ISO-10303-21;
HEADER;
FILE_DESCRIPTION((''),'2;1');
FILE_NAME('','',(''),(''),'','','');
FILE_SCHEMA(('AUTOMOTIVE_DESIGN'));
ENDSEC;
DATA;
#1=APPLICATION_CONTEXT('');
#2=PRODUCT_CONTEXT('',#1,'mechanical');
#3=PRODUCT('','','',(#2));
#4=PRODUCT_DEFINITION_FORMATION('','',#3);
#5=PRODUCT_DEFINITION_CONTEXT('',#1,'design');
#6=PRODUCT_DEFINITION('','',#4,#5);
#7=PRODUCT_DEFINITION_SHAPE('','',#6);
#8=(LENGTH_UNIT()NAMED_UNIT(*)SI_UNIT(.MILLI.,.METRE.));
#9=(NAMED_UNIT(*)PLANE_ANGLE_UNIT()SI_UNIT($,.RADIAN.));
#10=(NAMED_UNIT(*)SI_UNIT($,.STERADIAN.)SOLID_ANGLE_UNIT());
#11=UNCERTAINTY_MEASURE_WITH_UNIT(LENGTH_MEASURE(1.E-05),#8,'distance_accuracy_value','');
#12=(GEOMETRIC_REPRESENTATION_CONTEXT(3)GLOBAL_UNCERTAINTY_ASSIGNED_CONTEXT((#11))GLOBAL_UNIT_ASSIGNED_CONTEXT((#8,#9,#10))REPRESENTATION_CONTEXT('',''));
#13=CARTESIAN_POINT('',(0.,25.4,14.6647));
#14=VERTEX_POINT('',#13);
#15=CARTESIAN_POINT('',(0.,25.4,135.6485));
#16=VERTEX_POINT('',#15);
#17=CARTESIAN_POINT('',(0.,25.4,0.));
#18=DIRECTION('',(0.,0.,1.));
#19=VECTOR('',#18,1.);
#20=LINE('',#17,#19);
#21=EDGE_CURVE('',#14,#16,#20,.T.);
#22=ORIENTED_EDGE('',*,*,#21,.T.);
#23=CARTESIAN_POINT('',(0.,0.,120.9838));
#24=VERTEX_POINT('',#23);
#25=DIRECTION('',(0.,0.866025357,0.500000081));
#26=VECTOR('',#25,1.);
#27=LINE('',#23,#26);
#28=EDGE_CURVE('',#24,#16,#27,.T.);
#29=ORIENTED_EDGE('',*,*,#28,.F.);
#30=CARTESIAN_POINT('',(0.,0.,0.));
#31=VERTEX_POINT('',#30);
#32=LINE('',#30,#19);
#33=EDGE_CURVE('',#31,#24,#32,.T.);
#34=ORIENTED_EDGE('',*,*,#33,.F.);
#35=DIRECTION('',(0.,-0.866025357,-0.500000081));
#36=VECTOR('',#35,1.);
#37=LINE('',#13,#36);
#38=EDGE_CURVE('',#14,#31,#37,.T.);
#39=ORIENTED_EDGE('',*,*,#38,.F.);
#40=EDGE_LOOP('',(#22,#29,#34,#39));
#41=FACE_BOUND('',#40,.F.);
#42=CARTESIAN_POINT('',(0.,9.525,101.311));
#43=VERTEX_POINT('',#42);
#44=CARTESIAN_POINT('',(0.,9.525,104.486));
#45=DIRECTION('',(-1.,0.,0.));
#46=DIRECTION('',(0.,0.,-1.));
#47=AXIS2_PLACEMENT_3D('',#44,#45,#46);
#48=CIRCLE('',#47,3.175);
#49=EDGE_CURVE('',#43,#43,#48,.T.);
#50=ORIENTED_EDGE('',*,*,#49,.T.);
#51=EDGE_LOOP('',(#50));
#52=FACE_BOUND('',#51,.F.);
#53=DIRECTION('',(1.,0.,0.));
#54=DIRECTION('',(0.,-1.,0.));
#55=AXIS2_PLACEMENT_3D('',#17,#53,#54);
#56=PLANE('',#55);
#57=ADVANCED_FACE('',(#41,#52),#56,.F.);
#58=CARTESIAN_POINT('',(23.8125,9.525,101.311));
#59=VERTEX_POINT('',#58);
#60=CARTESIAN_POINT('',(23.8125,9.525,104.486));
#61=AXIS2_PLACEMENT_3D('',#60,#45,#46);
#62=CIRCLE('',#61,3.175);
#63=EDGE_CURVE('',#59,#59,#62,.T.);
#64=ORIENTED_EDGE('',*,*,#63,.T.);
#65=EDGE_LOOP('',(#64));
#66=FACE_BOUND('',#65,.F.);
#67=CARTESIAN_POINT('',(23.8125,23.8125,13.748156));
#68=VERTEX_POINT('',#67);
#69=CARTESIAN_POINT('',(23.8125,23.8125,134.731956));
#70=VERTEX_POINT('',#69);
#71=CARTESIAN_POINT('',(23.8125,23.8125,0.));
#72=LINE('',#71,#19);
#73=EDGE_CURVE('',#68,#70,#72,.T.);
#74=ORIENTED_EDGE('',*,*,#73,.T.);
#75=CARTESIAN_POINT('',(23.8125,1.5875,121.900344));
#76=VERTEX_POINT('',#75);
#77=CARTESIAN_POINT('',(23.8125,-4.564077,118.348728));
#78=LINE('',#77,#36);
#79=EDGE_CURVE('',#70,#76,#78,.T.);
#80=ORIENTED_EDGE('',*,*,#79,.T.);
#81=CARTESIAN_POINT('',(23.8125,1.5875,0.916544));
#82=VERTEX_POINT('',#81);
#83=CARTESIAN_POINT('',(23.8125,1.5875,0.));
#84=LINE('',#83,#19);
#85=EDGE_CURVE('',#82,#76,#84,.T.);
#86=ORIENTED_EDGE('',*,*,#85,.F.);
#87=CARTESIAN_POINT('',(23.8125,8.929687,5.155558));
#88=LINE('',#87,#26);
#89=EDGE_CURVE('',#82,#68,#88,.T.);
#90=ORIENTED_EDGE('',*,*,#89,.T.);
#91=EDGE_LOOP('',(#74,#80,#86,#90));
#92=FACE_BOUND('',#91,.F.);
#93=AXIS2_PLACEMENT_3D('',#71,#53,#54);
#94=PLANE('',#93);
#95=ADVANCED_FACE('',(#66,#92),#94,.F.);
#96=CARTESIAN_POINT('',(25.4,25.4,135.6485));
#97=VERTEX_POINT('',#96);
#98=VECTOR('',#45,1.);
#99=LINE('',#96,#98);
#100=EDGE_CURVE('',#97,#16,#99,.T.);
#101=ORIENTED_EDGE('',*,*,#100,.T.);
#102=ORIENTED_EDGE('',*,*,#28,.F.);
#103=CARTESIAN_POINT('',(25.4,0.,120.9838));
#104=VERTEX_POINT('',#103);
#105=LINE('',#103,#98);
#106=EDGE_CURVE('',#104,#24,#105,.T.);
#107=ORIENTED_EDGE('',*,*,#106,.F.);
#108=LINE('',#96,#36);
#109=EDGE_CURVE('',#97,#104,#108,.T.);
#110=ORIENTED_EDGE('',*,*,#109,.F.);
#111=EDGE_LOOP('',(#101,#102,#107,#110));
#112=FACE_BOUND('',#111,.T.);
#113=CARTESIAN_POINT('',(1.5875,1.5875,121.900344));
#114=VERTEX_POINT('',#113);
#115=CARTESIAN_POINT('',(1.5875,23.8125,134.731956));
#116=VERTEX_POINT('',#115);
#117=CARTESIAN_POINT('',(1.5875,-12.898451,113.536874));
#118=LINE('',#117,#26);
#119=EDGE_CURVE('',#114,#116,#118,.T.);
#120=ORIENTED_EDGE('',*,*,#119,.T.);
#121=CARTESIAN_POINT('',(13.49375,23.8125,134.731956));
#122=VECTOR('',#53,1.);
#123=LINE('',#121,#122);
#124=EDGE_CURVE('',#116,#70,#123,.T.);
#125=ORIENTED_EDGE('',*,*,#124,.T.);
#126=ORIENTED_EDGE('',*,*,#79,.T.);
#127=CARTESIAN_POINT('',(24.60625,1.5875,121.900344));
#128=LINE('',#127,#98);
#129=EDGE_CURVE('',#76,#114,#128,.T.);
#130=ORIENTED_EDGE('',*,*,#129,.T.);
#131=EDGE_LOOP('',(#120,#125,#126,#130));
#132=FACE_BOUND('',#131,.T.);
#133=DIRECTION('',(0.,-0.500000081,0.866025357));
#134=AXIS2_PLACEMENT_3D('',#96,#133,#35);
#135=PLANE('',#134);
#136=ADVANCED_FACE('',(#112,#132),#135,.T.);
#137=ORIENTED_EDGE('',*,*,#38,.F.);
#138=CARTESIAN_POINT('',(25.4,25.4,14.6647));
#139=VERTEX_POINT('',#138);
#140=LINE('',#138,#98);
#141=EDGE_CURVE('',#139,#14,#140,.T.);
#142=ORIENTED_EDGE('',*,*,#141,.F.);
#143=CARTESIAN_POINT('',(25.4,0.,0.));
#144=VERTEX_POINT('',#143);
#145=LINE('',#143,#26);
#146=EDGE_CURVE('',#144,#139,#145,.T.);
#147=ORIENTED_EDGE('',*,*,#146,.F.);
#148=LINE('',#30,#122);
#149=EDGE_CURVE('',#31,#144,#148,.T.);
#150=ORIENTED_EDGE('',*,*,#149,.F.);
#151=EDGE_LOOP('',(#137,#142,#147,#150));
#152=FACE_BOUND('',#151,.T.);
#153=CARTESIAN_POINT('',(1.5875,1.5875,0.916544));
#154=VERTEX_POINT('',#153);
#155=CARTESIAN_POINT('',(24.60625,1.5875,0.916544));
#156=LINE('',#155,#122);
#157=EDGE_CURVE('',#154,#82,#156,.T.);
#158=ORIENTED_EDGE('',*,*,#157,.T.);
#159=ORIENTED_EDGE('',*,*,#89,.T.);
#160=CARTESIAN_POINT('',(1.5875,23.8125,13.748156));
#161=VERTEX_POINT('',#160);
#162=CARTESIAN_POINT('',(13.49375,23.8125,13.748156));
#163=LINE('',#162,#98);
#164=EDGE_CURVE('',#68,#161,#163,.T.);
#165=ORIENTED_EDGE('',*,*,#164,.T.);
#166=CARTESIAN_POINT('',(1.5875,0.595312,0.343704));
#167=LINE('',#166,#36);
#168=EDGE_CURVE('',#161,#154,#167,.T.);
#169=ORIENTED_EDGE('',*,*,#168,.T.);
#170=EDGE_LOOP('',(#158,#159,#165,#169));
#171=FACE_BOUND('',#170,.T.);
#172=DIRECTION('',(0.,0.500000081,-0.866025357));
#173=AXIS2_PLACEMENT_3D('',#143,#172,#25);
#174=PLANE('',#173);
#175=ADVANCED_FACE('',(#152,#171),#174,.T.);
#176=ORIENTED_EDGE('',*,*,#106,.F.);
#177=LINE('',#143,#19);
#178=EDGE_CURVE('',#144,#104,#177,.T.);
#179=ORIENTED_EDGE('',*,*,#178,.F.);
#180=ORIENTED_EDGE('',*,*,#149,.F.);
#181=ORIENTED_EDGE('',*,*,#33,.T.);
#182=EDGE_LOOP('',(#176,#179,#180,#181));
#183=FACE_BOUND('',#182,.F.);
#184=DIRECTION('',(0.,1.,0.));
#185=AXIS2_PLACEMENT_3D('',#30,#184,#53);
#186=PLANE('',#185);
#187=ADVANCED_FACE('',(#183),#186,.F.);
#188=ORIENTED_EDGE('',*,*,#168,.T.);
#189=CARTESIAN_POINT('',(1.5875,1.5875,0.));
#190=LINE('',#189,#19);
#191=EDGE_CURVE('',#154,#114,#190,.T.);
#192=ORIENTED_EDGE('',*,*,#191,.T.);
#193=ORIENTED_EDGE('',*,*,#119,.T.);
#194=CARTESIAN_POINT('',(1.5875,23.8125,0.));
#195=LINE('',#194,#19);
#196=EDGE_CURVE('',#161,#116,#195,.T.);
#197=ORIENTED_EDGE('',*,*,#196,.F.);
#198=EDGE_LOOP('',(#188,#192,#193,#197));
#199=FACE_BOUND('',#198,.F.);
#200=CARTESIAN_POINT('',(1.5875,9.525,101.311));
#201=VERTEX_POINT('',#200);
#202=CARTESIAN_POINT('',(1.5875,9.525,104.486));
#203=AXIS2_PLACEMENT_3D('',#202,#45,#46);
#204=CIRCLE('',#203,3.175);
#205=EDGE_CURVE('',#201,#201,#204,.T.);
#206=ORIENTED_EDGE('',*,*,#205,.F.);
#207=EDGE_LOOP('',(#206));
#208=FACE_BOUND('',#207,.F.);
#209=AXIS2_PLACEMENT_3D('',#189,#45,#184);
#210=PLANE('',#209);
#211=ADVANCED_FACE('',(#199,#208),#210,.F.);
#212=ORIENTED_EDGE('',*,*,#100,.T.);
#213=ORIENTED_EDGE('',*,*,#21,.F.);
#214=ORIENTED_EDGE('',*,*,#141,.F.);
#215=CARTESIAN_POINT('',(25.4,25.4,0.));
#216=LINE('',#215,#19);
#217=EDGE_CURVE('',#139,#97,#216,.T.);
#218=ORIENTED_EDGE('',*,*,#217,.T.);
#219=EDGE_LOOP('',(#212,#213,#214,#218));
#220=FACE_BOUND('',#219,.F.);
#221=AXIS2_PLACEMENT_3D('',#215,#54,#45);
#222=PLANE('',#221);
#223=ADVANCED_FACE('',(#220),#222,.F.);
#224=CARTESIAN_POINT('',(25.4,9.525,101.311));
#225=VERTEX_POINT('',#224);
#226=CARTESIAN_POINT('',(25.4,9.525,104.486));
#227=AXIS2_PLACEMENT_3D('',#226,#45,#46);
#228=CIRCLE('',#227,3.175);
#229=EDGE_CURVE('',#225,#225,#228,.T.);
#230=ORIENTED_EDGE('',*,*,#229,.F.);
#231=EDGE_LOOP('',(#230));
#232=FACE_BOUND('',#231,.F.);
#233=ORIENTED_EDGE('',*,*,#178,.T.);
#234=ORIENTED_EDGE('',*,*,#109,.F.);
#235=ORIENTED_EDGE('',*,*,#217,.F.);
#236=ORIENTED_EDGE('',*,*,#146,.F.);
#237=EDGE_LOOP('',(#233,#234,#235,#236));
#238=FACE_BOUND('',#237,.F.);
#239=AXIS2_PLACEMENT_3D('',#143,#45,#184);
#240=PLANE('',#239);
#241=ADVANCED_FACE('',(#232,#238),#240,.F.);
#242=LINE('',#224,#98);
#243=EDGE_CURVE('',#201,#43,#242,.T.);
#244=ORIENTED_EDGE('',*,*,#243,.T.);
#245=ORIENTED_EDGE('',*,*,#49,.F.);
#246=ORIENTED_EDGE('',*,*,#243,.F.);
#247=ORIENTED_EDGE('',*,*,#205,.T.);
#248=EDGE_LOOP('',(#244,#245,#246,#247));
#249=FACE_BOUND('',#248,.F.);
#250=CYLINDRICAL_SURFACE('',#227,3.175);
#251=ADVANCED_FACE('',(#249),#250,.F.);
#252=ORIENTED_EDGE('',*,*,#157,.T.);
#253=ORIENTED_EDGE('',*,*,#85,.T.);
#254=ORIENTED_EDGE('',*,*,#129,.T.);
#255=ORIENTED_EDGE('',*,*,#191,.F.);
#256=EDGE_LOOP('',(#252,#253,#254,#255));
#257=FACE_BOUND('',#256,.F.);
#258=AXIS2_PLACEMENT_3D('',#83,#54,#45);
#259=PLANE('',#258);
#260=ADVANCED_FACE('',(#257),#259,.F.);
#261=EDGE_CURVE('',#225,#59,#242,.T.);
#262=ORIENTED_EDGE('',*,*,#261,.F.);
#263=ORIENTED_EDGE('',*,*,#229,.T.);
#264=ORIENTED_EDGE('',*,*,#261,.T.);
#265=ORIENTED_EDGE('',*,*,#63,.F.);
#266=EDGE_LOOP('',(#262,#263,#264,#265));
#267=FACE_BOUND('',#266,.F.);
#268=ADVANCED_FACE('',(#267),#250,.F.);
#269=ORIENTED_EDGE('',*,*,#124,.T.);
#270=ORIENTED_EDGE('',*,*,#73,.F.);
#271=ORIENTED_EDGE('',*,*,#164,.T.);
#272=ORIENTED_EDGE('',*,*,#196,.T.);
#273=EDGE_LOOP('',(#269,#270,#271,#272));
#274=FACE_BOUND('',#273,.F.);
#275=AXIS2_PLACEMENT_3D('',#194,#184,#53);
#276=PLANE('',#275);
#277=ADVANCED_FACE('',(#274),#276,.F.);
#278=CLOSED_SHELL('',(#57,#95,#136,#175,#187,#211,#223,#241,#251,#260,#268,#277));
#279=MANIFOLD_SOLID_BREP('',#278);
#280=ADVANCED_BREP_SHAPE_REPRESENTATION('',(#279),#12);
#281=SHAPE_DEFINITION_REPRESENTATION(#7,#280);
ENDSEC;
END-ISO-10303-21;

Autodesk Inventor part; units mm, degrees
ref_plane "YZ Plane" through (0, 0, 0) normal (1, 0, 0) x (0, 1, 0)
ref_plane "XZ Plane" through (0, 0, 0) normal (0, 1, 0) x (-1, 0, 0)
ref_plane "XY Plane" through (0, 0, 0) normal (0, 0, 1) x (1, 0, 0)
sketch "Sketch1" plane through (0, 0, 0) normal (0, 0, 1) x (1, 0, 0)
  line L0 (0, 0) -> (25.4, 0)
  line L1 (25.4, 0) -> (25.4, 25.4)
  line L2 (25.4, 25.4) -> (0, 25.4)
  line L3 (0, 25.4) -> (0, 0)
  line L4 (1.5875, 23.8125) -> (23.8125, 23.8125)
  line L5 (23.8125, 23.8125) -> (23.8125, 1.5875)
  line L6 (23.8125, 1.5875) -> (1.5875, 1.5875)
  line L7 (1.5875, 1.5875) -> (1.5875, 23.8125)
  dimension "d0" = 25.4
  dimension "d1" = 25.4
  dimension "d2" = 1.5875
extrude "Extrusion1" add sketch "Sketch1" along normal blind 203.2
sketch "Sketch3" plane through (25.4, 0, 0) normal (1, 0, 0) x (0, 0, -1)
  line L0 (0, 0) -> (-203.2, 0) projected
  line L1 (0, 0) -> (-14.6647, 25.4)
  line L2 (-14.6647, 25.4) -> (0, 25.4)
  line L3 (0, 23.8125) -> (-203.2, 23.8125) projected
  line L4 (0, 0) -> (0, 25.4) projected
  line L5 (0, 25.4) -> (0, 0)
  line L6 (0, 25.4) -> (-203.2, 25.4) projected
  line L7 (-192.6047, 25.4) -> (-177.94, 0)
  line L8 (0, 25.4) -> (-203.2, 25.4) projected
  line L9 (-192.6047, 25.4) -> (-203.2, 25.4)
  line L10 (-203.2, 25.4) -> (-203.2, 0)
  line L11 (-177.94, 0) -> (-203.2, 0)
  dimension "d8" = 30
  dimension "d11" = 177.94
extrude "Extrusion3" cut sketch "Sketch3" against normal blind 25.4 contours L1 L3 L4 | L1 L2 L4 L3
sketch "Sketch4" plane through (25.4, 0, 203.2) normal (1, 0, 0) x (0, 0, -1)
  line L0 (14.0789, 25.4) -> (28.7436, 0)
  line L1 (28.7436, 0) -> (0, 0)
  line L2 (189.4518, 23.8125) -> (0, 23.8125) projected
  line L3 (0, 0) -> (0, 25.4)
  line L4 (0, 25.4) -> (14.0789, 25.4)
  line L5 (188.5353, 25.4) -> (0, 25.4) projected
  line L6 (203.2, 0) -> (188.5353, 25.4) projected
  dimension "d12" = 174.4564
  dimension "d13" = 25.4
  dimension "d14" = 28.7436
extrude "Extrusion4" cut sketch "Sketch4" against normal blind 25.4 contours L0 L2 L3 L4 | L0 L1 L3 L2
sketch "Sketch5" plane through (25.4, 0, 174.4564) normal (1, 0, 0) x (0, 0, -1)
  line L0 (173.5398, 1.5875) -> (-0.9165, 1.5875) projected
  line L1 (173.5398, 1.5875) -> (82.802, -50.8)
  line L2 (174.4564, 0) -> (159.7917, 25.4) projected
  line L3 (82.802, -50.8) -> (32.002, 37.1882)
  line L4 (159.7917, 25.4) -> (-14.6647, 25.4) projected
  line L5 (38.8079, 25.4) -> (-14.6647, 25.4)
  line L6 (-14.6647, 25.4) -> (0, 0)
  line L7 (0, 0) -> (53.4726, 0)
  line L8 (-14.6647, 25.4) -> (0, 0) projected
  line L9 (174.4564, 0) -> (0, 0) projected
  dimension "d17" = 90
  dimension "d18" = 104.775
  dimension "d20" = 101.6
sketch "Sketch6" plane through (25.4, 0, 174.4564) normal (1, 0, 0) x (0, 0, -1)
  line L0 (159.7917, 25.4) -> (-14.6647, 25.4) projected
  line L1 (38.8079, 25.4) -> (53.4726, 0)
  line L2 (53.4726, 0) -> (0, 0)
  line L3 (173.5398, 1.5875) -> (-0.9165, 1.5875) projected
  line L4 (0, 0) -> (-14.6647, 25.4) projected
  line L5 (0, 0) -> (-14.6647, 25.4)
  line L6 (-14.6647, 25.4) -> (38.8079, 25.4)
  line L7 (160.7082, 23.8125) -> (-13.7482, 23.8125) projected
  line L8 (174.4564, 0) -> (0, 0) projected
  line L9 (82.802, -50.8) -> (32.002, 37.1882) projected
extrude "Extrusion5" cut sketch "Sketch6" against normal blind 25.4
sketch "Sketch7" plane through (25.4, 0, 120.9837) normal (1, 0, 0) x (0, 0, -1)
  line L0 (106.3191, 25.4) -> (-14.6647, 25.4) projected
  line L1 (-14.6647, 25.4) -> (29.3294, 50.8)
  line L2 (-14.6647, 25.4) -> (0, 0) projected
  line L3 (16.4978, 9.525) -> (16.4978, 9.525)
  line L4 (16.4978, 9.525) -> (0, 0)
  point P0 (120.9837, 0)
  dimension "d23" = 50.8
  dimension "d25" = 19.05
  dimension "d27" = 0
hole "Hole1" at (25.4, 9.525, 104.486) direction (-1, 0, 0) diameter 6.35 end through all
properties part number "SUP_022_NEWClimberSupport" material "Aluminum 6061"
